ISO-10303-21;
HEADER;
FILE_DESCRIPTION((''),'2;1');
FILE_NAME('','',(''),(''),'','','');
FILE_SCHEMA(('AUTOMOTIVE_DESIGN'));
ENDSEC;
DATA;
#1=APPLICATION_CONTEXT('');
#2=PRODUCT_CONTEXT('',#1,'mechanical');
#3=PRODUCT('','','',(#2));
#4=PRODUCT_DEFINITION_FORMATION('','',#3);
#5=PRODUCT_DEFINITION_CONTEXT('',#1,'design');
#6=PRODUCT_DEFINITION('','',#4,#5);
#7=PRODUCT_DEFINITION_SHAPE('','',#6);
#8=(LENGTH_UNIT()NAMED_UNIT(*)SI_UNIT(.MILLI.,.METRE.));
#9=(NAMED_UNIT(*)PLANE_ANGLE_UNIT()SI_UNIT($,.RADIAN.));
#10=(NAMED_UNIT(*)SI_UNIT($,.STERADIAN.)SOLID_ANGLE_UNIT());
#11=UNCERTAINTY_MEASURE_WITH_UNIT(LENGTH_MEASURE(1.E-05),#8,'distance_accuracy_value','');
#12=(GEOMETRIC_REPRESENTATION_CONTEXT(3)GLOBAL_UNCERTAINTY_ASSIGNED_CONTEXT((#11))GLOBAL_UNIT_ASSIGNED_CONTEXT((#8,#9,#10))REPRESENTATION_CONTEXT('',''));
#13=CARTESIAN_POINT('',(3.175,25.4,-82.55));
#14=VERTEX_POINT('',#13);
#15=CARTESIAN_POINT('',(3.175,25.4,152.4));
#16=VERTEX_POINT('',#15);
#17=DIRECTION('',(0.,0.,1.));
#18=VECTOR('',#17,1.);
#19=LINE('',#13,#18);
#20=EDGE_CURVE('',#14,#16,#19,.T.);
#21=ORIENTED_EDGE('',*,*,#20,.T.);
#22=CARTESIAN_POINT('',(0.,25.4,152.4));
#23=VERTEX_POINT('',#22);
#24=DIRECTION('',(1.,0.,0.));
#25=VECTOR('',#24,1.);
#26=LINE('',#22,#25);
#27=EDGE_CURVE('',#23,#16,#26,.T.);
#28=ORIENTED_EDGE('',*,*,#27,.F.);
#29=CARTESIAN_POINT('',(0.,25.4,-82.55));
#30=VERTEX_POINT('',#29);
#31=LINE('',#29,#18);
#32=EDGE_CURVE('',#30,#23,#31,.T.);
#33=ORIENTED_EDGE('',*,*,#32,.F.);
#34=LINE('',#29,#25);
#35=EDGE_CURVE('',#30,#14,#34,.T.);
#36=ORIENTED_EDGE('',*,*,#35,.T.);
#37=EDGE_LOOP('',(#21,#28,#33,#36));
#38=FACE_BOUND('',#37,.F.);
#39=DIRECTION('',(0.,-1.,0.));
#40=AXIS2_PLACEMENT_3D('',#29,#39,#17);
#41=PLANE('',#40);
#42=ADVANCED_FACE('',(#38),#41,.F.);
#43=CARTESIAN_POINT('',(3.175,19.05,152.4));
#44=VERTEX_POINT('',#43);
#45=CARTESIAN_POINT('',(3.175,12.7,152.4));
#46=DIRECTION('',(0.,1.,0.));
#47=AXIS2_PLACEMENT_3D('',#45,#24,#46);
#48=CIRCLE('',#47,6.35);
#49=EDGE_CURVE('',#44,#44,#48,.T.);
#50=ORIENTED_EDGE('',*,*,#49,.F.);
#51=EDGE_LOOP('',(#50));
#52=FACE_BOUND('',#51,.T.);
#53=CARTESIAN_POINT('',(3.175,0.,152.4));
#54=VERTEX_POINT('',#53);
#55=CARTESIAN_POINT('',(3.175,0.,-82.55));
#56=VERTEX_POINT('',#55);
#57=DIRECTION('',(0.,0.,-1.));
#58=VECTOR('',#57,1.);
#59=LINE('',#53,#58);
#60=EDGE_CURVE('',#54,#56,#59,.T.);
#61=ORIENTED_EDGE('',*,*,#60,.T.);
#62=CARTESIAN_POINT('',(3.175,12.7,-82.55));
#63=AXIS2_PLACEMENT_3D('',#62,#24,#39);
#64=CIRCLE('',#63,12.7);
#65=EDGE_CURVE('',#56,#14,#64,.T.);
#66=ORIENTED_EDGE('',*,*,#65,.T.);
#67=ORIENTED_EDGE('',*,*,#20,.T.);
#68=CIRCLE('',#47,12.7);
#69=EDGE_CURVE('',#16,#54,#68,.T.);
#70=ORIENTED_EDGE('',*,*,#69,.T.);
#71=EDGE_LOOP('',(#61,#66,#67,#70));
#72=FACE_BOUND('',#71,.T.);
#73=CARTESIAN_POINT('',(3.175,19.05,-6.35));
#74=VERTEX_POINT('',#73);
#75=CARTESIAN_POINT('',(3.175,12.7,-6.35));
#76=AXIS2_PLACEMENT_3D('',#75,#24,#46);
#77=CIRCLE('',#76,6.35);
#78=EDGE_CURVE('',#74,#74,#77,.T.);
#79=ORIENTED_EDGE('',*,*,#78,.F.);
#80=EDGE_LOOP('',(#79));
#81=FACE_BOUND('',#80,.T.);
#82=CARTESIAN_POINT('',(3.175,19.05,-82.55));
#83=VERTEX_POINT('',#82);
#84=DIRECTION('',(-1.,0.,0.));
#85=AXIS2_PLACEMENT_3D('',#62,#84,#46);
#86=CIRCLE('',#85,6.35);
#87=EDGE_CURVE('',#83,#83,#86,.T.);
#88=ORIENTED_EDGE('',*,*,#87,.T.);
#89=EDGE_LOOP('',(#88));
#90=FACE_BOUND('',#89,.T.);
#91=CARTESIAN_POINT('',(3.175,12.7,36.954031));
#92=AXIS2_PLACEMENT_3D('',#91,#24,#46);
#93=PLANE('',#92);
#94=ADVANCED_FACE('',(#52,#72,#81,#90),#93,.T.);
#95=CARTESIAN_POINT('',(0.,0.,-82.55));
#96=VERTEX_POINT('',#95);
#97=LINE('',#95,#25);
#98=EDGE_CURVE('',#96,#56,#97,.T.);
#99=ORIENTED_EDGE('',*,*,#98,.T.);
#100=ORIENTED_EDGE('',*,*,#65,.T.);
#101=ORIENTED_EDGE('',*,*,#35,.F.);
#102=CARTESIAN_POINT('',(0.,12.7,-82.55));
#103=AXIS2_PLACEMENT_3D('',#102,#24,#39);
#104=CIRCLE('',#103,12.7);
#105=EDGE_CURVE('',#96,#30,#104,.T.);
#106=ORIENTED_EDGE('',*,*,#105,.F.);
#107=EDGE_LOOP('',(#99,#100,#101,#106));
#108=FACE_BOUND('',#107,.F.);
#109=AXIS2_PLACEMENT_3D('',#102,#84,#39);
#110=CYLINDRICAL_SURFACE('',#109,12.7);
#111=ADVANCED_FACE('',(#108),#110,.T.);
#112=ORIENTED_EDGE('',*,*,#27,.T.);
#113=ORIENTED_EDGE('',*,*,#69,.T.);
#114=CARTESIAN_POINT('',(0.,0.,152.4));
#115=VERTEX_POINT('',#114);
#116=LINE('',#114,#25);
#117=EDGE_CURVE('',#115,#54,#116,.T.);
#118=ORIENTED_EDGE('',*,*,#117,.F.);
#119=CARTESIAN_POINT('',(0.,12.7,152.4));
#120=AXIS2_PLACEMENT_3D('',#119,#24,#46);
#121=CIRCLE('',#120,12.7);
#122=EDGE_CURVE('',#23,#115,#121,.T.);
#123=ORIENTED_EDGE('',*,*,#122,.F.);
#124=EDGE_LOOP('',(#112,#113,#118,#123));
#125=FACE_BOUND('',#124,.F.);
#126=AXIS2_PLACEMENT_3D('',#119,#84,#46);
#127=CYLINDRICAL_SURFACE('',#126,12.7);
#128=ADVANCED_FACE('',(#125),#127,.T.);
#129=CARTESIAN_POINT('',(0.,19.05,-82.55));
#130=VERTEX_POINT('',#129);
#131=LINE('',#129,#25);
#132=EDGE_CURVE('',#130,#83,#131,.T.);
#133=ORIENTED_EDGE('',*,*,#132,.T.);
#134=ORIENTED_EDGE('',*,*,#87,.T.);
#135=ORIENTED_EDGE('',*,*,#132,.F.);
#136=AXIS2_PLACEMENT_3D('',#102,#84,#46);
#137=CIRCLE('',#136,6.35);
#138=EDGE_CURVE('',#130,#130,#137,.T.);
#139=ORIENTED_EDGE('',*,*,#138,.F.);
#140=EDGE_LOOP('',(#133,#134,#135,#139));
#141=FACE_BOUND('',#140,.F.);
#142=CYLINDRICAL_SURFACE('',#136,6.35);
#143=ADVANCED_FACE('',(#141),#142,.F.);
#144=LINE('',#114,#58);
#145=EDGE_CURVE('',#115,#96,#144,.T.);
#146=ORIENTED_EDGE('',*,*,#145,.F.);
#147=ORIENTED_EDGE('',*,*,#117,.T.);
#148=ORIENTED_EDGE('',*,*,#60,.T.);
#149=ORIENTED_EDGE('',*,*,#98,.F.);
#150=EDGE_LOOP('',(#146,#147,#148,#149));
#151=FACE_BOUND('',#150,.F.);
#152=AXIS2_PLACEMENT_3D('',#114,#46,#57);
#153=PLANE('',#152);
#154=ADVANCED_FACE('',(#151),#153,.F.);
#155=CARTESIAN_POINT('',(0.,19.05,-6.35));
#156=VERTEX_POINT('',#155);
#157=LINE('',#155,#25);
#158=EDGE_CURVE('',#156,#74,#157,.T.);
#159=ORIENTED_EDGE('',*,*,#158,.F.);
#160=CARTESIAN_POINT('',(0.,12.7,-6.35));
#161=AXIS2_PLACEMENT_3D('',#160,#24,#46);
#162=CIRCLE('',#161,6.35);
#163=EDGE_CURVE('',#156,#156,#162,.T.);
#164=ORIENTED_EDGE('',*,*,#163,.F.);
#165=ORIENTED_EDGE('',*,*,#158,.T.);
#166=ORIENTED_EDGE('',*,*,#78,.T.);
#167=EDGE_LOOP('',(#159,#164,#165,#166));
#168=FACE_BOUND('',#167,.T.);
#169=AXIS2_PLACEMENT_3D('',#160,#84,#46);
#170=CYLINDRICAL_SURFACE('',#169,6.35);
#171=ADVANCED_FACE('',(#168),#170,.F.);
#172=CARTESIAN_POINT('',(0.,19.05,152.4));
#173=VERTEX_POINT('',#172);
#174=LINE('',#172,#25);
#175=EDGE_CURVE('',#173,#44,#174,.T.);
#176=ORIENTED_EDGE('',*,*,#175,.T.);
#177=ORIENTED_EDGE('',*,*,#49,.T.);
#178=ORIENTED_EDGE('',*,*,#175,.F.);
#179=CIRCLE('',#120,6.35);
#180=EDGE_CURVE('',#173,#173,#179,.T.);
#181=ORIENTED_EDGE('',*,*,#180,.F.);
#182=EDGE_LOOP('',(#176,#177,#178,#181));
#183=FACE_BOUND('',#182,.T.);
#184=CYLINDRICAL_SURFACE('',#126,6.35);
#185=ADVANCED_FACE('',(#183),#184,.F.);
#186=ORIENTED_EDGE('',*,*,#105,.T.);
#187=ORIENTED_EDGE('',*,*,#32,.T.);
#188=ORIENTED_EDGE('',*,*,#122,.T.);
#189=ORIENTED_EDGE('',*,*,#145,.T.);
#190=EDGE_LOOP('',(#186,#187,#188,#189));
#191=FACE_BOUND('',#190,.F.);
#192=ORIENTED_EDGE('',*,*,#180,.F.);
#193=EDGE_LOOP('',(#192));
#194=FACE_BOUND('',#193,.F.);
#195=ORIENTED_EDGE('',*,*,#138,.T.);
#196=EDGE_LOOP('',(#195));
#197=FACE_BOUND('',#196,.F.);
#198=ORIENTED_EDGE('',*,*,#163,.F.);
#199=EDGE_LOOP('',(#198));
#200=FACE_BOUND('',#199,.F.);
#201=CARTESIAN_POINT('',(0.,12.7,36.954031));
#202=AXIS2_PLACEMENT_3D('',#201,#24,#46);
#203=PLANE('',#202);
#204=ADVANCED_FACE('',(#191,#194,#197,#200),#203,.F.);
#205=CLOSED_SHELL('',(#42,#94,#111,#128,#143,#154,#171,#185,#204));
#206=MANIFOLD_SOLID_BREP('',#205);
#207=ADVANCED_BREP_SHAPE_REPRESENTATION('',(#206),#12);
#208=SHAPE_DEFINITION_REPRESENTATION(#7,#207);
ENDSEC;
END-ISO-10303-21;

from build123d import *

# Parameters (mm, degrees)
F0_R     = 6.35
F1_DEPTH = 3.175


with BuildPart() as f1:
    # F0 (on Right) → F1 (new body)
    with BuildSketch(Plane.YZ):
        with BuildLine():
            Line((0, 152.4), (0, 0))
            Line((0, 0), (0, -82.55))
            Line((0, -82.55), (6.35, -82.55))
            ThreePointArc((6.35, -82.55), (12.7, -76.2), (19.05, -82.55))
            Line((19.05, -82.55), (25.4, -82.55))
            Line((25.4, -82.55), (25.4, -9.525))
            Line((25.4, -9.525), (25.4, 6.007355))
            Line((25.4, 6.007355), (25.4, 152.4))
            ThreePointArc((25.4, 152.4), (12.7, 165.1), (0, 152.4))
        make_face()
        with Locations((12.7, -6.35)):
            Circle(F0_R, mode=Mode.SUBTRACT)
        with Locations((12.7, 152.4)):
            Circle(F0_R, mode=Mode.SUBTRACT)
        with BuildLine():
            Line((6.35, -82.55), (0, -82.55))
            ThreePointArc((0, -82.55), (12.7, -95.25), (25.4, -82.55))
            Line((25.4, -82.55), (19.05, -82.55))
            ThreePointArc((19.05, -82.55), (12.7, -88.9), (6.35, -82.55))
        make_face()
    extrude(amount=F1_DEPTH)


solid = f1.part
